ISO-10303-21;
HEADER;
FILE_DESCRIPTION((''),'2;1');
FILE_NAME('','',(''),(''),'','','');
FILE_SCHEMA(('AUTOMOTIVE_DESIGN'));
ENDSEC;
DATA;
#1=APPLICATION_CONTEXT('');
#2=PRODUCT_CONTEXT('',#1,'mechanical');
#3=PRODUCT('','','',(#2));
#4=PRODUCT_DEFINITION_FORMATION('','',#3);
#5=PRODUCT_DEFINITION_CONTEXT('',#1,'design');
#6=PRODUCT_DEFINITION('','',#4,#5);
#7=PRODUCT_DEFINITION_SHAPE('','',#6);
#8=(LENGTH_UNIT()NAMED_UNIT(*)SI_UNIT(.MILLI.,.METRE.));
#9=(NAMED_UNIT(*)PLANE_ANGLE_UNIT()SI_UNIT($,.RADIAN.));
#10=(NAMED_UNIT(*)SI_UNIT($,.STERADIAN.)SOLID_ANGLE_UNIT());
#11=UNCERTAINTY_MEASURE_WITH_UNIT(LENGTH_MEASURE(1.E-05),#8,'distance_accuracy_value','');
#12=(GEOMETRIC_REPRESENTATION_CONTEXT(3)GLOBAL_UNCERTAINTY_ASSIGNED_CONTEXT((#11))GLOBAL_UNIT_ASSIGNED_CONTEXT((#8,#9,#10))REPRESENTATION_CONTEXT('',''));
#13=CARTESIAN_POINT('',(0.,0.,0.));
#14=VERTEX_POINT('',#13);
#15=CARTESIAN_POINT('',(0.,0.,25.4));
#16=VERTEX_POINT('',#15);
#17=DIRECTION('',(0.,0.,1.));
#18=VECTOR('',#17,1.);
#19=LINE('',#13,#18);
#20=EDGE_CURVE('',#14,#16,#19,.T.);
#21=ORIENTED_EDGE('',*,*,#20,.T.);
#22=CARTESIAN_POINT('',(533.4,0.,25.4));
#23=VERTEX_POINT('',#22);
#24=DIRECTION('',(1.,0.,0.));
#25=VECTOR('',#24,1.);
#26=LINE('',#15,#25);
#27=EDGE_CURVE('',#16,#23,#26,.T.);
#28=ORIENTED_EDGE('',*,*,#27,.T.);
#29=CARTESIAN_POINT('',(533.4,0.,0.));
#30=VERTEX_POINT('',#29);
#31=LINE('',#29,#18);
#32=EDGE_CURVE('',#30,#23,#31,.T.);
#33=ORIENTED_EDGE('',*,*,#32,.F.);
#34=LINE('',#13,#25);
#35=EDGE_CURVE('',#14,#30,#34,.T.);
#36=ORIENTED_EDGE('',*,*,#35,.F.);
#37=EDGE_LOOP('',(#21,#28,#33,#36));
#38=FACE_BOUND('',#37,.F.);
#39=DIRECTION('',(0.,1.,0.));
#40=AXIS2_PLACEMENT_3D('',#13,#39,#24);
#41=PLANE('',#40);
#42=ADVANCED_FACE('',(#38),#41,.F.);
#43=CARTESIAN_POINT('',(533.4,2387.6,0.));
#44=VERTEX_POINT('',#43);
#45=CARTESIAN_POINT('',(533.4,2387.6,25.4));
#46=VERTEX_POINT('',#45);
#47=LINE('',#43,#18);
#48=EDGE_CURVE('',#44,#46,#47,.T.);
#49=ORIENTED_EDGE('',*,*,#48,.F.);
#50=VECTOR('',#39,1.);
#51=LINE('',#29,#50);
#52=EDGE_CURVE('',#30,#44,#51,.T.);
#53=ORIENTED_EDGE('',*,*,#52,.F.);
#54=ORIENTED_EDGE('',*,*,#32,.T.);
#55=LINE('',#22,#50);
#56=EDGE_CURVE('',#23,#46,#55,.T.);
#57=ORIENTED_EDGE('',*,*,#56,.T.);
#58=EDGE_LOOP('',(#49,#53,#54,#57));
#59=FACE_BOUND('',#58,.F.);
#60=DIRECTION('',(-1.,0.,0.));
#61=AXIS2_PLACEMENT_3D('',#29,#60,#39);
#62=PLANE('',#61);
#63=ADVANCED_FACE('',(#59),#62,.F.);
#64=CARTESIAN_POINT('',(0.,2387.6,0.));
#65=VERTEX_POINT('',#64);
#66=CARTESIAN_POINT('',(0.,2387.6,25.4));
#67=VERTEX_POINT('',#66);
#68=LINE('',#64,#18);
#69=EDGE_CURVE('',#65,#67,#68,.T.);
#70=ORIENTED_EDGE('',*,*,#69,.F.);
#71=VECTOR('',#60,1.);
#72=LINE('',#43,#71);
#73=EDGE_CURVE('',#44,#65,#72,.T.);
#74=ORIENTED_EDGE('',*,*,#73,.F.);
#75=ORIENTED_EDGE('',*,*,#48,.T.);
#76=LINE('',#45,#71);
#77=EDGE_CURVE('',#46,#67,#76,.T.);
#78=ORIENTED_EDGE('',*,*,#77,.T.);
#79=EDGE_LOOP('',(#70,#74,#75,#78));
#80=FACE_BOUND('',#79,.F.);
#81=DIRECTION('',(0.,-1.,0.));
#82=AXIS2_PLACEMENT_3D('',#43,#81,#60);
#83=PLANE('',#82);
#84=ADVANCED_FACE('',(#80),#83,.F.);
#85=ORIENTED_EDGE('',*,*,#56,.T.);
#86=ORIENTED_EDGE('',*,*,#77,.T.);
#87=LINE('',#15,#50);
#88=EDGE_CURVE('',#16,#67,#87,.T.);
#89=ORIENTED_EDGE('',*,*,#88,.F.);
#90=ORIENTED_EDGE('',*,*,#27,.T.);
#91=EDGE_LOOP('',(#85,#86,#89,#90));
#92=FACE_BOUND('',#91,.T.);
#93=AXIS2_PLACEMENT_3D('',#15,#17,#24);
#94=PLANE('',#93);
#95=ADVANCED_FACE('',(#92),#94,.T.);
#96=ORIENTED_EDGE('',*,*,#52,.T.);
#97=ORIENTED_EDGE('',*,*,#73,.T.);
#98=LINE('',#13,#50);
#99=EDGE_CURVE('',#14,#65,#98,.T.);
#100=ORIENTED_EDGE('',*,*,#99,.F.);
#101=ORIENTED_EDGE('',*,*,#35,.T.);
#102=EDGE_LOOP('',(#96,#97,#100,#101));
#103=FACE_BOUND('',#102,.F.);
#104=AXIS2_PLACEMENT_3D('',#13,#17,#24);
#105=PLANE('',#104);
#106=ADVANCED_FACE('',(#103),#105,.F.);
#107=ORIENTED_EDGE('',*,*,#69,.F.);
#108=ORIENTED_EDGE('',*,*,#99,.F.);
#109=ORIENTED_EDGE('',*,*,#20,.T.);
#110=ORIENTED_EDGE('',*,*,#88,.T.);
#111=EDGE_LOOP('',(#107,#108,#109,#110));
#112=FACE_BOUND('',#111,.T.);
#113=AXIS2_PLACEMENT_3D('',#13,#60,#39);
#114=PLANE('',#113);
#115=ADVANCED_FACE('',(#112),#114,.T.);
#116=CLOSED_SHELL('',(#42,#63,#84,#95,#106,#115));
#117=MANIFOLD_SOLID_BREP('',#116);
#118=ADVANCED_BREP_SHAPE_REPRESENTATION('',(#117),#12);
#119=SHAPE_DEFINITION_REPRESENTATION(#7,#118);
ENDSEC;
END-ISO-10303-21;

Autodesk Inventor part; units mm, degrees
ref_plane "YZ Plane" through (0, 0, 0) normal (1, 0, 0) x (0, 1, 0)
ref_plane "XZ Plane" through (0, 0, 0) normal (0, 1, 0) x (-1, 0, 0)
ref_plane "XY Plane" through (0, 0, 0) normal (0, 0, 1) x (1, 0, 0)
ref_plane "Work Plane1" through (0, 0, 0) normal (0, 0, 1) x (1, 0, 0)
sketch "Sketch1" plane through (0, 0, 0) normal (0, 0, 1) x (1, 0, 0)
  line L0 (0, 0) -> (0, 2387.6) projected
  line L1 (0, 0) -> (533.4, 0)
  line L2 (533.4, 0) -> (533.4, 2387.6)
  line L3 (533.4, 2387.6) -> (0, 2387.6)
  dimension "d0" = 533.4
  dimension "d1" = 2387.6
extrude "Extrusion1" add sketch "Sketch1" along normal blind 25.4
properties part number "LEFT B DOOR"
